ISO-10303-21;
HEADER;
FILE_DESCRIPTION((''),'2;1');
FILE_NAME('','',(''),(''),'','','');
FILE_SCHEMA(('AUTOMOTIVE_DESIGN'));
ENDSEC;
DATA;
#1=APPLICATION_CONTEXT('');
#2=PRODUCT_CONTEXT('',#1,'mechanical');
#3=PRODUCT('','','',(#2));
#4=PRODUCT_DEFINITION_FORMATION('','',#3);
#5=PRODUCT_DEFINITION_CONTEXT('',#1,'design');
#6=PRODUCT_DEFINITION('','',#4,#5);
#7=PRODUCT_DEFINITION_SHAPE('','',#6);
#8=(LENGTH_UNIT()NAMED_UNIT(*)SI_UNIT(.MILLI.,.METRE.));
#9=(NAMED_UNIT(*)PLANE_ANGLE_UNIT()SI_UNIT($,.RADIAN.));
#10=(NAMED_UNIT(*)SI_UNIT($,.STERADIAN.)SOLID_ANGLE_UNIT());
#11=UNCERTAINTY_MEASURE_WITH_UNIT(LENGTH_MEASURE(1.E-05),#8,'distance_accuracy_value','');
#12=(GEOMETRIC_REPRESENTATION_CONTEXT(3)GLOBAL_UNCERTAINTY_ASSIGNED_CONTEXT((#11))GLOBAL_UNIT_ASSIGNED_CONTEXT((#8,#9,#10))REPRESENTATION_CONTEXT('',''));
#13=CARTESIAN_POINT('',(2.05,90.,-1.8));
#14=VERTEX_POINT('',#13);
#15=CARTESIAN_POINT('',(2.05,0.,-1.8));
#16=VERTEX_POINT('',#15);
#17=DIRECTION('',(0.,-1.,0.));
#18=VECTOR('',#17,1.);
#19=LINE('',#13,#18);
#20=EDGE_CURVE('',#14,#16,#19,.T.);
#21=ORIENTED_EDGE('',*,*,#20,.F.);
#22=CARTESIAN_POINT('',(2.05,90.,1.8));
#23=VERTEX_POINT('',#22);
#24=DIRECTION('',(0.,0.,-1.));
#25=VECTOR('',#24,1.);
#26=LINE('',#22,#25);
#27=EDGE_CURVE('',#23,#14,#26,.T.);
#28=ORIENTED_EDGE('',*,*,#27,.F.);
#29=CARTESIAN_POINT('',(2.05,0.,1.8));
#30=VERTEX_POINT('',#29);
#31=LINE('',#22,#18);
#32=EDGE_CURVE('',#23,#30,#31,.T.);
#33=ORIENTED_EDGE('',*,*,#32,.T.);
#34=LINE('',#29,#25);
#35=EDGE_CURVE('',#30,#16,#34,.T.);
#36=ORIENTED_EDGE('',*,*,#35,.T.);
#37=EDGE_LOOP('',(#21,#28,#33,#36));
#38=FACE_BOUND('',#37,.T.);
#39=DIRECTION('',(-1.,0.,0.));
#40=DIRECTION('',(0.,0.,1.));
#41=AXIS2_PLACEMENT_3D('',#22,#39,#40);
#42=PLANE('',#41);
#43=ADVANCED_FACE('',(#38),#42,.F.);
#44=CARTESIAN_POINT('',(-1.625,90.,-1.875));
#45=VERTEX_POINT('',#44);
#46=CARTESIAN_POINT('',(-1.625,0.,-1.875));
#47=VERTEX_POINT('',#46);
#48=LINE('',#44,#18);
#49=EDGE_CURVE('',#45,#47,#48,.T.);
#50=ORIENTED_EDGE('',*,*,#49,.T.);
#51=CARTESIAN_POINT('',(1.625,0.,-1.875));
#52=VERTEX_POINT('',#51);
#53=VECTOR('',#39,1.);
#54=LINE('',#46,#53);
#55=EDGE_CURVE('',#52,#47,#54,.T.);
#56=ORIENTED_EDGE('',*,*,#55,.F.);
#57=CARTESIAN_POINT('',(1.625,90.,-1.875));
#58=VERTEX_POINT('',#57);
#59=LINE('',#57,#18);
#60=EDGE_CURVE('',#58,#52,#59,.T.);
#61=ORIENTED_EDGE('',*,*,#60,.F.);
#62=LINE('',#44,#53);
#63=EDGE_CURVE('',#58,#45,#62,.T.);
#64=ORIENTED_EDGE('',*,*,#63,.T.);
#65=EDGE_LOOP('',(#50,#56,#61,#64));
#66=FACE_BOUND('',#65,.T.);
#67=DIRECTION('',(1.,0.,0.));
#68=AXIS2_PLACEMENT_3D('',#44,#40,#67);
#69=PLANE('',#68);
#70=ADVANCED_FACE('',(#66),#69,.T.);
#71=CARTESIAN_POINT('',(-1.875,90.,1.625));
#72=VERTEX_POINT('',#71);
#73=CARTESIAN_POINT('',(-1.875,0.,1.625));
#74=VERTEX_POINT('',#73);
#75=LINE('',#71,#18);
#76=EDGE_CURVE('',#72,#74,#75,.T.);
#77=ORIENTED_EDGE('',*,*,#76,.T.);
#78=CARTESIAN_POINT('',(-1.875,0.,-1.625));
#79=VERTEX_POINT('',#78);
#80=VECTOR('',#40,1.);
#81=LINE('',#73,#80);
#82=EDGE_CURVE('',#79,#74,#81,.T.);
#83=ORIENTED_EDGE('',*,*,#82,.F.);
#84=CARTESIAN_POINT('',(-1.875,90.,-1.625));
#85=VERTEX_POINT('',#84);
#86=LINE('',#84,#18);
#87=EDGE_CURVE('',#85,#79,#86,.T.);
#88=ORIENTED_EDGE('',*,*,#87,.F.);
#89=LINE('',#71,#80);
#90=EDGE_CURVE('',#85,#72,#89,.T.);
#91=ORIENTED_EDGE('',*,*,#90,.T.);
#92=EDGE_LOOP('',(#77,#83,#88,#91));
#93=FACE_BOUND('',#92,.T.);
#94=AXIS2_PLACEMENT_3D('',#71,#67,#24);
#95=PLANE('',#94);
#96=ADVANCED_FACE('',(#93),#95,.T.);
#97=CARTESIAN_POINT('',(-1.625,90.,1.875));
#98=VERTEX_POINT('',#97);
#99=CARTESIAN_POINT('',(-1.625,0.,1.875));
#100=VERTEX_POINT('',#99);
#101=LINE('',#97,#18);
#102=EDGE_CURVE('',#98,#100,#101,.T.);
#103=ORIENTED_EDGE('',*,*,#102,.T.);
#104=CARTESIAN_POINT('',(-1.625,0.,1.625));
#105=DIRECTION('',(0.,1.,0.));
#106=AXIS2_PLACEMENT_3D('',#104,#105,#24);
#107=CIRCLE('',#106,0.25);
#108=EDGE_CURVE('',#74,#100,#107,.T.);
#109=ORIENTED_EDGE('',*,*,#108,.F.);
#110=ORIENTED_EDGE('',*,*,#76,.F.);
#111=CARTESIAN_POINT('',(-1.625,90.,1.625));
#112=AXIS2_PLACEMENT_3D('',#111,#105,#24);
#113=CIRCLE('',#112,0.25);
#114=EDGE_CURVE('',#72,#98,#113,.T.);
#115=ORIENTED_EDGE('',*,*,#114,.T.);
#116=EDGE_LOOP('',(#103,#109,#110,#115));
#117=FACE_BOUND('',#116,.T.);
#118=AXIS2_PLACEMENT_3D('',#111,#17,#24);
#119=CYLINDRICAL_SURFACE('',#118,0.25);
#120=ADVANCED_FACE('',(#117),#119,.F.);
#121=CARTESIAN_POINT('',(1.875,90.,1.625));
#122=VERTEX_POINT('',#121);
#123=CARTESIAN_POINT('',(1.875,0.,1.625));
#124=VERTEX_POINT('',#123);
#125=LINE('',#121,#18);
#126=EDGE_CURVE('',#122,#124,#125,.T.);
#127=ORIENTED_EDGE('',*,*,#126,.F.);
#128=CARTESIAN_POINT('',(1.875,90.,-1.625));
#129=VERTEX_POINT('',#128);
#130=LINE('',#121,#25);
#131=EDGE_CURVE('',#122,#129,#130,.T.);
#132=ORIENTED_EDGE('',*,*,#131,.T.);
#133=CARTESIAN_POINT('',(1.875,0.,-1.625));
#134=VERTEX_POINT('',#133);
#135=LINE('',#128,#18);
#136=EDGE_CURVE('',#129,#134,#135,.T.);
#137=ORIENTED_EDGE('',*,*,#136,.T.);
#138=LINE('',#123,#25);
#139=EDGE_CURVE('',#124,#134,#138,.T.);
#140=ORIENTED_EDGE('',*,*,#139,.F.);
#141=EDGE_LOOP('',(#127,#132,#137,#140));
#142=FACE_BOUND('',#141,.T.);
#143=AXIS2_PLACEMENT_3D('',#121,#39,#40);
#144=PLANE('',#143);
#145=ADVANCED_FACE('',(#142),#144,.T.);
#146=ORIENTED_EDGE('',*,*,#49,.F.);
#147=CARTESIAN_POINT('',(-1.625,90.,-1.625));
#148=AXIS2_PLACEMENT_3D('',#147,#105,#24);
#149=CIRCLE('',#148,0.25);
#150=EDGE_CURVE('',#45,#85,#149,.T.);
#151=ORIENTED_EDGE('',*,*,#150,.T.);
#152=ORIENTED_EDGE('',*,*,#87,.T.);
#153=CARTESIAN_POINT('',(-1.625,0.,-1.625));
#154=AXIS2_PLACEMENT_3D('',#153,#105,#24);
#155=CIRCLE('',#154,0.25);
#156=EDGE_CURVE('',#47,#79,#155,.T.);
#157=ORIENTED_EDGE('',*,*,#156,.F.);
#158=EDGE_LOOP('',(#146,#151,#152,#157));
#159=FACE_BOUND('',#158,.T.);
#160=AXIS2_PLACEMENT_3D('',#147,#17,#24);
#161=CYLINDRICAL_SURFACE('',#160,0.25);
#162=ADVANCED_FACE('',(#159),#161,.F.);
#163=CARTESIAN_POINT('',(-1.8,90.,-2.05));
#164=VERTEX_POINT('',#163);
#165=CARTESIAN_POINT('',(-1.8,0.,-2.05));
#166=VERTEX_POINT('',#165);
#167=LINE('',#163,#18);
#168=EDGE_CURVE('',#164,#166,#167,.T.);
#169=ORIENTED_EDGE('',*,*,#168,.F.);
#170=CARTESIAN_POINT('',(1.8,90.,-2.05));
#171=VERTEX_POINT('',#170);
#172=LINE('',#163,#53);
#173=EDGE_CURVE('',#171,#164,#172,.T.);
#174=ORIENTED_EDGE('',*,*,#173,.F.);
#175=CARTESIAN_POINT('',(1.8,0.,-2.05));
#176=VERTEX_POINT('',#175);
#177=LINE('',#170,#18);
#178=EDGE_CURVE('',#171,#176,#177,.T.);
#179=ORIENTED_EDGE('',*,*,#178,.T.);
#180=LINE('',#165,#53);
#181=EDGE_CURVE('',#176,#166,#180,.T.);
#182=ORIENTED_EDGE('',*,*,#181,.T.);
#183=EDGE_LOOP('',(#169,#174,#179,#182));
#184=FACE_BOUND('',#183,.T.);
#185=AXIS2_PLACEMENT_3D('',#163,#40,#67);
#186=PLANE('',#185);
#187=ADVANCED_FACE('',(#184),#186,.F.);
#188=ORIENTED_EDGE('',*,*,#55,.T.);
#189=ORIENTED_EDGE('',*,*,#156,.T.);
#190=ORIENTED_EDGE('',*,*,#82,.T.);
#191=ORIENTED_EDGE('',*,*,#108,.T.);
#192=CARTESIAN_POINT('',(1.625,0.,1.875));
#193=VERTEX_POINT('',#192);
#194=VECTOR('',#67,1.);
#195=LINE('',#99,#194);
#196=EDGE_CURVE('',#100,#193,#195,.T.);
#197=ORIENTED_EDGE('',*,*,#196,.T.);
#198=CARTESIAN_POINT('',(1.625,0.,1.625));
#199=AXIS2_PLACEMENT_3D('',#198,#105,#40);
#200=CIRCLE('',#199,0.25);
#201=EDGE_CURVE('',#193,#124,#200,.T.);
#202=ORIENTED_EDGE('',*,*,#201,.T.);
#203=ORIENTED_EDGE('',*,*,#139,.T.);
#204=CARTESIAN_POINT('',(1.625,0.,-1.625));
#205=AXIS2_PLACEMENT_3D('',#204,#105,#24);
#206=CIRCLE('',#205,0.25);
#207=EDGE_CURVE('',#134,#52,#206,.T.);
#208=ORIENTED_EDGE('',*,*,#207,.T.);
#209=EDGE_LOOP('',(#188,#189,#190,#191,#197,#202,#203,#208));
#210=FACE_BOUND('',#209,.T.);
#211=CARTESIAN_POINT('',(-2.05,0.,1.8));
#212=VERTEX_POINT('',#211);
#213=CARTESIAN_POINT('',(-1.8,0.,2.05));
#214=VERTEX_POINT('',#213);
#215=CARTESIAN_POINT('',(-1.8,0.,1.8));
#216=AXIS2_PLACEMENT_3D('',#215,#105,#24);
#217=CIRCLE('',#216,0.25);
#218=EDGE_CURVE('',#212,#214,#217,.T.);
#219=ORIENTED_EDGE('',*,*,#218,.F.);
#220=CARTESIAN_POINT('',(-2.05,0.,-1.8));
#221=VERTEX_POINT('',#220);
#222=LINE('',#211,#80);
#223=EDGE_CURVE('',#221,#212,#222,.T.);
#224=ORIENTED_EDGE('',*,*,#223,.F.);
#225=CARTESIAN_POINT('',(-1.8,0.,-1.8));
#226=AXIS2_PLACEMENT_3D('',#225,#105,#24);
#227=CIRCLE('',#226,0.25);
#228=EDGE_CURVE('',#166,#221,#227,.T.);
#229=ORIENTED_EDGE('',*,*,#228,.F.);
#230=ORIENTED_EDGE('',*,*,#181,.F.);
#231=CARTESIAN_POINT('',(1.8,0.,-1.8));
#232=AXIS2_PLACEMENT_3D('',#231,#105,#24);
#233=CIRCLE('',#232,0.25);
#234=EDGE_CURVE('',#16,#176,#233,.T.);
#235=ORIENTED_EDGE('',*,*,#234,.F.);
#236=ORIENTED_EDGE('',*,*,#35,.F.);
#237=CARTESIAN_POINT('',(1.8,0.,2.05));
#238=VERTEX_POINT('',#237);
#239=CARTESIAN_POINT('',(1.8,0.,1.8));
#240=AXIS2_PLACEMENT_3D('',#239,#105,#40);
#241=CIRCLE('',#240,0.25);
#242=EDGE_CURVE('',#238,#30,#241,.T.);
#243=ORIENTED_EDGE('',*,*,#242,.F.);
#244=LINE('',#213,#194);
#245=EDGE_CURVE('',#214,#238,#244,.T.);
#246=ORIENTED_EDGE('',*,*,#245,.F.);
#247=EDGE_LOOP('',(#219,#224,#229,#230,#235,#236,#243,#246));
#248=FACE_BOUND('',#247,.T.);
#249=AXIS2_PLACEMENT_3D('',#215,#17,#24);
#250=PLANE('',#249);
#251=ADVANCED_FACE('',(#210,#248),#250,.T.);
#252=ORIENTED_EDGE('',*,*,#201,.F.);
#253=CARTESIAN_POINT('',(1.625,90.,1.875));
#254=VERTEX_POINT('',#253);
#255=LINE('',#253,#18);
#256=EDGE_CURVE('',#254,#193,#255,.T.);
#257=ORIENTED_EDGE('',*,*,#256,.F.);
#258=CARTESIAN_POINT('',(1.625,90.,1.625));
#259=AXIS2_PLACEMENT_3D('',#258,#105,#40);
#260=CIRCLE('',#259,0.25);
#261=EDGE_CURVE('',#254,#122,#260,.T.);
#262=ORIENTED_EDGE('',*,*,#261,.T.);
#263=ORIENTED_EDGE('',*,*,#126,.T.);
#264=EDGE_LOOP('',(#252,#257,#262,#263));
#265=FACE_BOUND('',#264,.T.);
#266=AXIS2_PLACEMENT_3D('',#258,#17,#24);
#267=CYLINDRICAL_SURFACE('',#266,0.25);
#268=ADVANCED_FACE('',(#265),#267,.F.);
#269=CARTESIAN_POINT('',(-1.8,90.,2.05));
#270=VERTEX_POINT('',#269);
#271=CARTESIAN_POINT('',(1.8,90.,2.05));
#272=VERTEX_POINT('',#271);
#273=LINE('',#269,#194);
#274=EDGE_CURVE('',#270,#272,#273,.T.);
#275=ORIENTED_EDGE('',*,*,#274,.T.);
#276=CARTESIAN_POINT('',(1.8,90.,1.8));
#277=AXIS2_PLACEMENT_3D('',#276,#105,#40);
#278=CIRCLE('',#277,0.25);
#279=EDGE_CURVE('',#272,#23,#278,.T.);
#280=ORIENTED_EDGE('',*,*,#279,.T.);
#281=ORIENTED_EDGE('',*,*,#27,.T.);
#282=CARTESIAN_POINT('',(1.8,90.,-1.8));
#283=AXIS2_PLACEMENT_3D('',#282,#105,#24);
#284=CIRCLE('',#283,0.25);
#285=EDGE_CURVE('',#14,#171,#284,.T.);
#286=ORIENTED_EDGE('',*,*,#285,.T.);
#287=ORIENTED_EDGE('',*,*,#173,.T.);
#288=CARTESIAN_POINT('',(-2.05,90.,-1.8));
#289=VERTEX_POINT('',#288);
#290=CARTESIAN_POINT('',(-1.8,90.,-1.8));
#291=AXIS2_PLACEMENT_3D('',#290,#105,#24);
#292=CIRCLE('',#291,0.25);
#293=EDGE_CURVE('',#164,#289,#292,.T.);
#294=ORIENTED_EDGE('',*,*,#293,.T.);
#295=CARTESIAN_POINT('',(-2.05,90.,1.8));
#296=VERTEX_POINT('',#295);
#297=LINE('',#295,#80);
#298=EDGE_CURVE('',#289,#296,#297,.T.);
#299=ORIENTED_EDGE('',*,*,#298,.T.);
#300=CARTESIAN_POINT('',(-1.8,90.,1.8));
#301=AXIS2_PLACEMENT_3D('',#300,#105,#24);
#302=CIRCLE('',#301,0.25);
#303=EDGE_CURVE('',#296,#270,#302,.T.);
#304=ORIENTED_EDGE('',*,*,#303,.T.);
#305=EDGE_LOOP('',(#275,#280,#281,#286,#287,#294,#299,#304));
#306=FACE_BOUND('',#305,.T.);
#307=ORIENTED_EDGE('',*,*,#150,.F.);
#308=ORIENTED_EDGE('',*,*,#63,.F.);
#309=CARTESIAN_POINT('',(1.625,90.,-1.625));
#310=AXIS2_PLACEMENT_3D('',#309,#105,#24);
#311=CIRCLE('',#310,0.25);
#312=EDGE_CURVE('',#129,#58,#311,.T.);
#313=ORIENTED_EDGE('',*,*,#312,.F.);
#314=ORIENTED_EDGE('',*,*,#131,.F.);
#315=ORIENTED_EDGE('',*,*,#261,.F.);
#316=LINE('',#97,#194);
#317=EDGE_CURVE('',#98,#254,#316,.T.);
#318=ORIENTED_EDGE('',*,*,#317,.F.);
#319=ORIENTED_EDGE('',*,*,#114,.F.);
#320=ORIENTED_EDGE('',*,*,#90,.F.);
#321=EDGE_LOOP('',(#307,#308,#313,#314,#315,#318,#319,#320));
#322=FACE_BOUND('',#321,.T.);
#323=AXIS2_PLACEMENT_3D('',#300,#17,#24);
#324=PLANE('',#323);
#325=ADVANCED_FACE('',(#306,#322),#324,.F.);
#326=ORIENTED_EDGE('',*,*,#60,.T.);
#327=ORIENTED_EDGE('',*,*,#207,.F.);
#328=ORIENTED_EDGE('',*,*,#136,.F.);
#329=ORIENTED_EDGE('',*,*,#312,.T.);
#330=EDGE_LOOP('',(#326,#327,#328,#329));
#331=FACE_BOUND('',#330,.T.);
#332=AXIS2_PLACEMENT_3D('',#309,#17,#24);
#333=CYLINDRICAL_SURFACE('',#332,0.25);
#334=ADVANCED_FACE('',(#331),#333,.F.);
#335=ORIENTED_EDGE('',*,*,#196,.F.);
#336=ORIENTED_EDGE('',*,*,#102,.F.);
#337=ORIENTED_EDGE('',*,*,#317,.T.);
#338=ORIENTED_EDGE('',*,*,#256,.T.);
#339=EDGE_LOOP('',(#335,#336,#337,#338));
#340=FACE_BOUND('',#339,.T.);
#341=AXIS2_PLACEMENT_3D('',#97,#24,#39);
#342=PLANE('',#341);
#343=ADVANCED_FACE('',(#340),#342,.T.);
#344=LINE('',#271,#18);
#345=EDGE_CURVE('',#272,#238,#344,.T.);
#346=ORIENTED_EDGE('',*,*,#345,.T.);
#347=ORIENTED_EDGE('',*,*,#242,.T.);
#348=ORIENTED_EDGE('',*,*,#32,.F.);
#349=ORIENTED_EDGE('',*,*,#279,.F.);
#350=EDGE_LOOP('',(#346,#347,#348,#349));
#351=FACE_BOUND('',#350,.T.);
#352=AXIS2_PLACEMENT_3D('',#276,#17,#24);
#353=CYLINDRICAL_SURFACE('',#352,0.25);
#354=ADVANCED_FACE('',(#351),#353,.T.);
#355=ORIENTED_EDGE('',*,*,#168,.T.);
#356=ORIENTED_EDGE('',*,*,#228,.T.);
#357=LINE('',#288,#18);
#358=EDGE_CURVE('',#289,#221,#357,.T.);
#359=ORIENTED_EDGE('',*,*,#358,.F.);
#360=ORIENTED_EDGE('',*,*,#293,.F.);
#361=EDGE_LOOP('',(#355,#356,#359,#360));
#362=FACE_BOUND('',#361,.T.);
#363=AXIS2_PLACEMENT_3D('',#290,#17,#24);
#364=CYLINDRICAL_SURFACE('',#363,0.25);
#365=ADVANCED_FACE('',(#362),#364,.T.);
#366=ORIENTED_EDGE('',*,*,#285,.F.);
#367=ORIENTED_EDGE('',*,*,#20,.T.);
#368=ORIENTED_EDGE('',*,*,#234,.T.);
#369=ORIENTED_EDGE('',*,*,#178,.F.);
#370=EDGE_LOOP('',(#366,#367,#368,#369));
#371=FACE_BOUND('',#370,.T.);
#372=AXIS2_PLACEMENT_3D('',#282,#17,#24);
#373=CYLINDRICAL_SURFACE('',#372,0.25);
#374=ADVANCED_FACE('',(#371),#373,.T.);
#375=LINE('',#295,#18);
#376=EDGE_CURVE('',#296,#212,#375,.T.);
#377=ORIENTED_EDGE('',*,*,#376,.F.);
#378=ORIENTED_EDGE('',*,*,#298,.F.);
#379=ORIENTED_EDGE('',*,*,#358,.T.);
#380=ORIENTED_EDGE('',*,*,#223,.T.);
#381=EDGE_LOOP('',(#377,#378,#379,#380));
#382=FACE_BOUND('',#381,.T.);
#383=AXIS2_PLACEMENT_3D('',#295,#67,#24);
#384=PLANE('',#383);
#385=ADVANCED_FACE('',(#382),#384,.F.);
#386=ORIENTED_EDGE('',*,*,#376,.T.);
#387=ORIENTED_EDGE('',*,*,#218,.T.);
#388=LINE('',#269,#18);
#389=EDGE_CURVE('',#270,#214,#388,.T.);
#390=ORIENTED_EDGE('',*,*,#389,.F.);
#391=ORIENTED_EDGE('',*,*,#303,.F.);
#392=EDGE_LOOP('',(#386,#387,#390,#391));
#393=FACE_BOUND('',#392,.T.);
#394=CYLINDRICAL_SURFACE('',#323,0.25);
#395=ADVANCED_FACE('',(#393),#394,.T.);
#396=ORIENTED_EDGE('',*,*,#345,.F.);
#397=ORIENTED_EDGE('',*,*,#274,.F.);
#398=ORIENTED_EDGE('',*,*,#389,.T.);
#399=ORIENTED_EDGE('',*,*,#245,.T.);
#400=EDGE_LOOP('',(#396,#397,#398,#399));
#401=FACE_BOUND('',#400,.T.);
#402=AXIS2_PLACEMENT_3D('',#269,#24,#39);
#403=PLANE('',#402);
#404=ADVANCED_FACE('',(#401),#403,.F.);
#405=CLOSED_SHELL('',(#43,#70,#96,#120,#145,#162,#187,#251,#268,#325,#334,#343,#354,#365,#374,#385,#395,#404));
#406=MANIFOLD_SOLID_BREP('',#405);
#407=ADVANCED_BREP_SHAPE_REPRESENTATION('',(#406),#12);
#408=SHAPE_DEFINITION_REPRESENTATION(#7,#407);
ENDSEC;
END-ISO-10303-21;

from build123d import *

# Parameters (mm, degrees)
BOSS_EXTRUDE1_DEPTH = 90


with BuildPart() as part:
    # Sketch1 → Boss-Extrude1 (new body)
    with BuildSketch(Plane(origin=(0, 0, 0), x_dir=(1, 0, 0), z_dir=(0, 1, 0))):
        with BuildLine():
            Line((-1.8, -2.05), (1.8, -2.05))
            ThreePointArc((1.8, -2.05), (1.976776695, -1.976776695), (2.05, -1.8))
            Line((2.05, -1.8), (2.05, 1.8))
            ThreePointArc((2.05, 1.8), (1.976776695, 1.976776695), (1.8, 2.05))
            Line((1.8, 2.05), (-1.8, 2.05))
            ThreePointArc((-1.8, 2.05), (-1.976776695, 1.976776695), (-2.05, 1.8))
            Line((-2.05, 1.8), (-2.05, -1.8))
            ThreePointArc((-2.05, -1.8), (-1.976776695, -1.976776695), (-1.8, -2.05))
        make_face()
        with BuildLine():
            Line((-1.625, -1.875), (1.625, -1.875))
            ThreePointArc((1.625, -1.875), (1.801776695, -1.801776695), (1.875, -1.625))
            Line((1.875, -1.625), (1.875, 1.625))
            ThreePointArc((1.875, 1.625), (1.801776695, 1.801776695), (1.625, 1.875))
            Line((1.625, 1.875), (-1.625, 1.875))
            ThreePointArc((-1.625, 1.875), (-1.801776695, 1.801776695), (-1.875, 1.625))
            Line((-1.875, 1.625), (-1.875, -1.625))
            ThreePointArc((-1.875, -1.625), (-1.801776695, -1.801776695), (-1.625, -1.875))
        make_face(mode=Mode.SUBTRACT)
    extrude(amount=BOSS_EXTRUDE1_DEPTH)


solid = part.part
